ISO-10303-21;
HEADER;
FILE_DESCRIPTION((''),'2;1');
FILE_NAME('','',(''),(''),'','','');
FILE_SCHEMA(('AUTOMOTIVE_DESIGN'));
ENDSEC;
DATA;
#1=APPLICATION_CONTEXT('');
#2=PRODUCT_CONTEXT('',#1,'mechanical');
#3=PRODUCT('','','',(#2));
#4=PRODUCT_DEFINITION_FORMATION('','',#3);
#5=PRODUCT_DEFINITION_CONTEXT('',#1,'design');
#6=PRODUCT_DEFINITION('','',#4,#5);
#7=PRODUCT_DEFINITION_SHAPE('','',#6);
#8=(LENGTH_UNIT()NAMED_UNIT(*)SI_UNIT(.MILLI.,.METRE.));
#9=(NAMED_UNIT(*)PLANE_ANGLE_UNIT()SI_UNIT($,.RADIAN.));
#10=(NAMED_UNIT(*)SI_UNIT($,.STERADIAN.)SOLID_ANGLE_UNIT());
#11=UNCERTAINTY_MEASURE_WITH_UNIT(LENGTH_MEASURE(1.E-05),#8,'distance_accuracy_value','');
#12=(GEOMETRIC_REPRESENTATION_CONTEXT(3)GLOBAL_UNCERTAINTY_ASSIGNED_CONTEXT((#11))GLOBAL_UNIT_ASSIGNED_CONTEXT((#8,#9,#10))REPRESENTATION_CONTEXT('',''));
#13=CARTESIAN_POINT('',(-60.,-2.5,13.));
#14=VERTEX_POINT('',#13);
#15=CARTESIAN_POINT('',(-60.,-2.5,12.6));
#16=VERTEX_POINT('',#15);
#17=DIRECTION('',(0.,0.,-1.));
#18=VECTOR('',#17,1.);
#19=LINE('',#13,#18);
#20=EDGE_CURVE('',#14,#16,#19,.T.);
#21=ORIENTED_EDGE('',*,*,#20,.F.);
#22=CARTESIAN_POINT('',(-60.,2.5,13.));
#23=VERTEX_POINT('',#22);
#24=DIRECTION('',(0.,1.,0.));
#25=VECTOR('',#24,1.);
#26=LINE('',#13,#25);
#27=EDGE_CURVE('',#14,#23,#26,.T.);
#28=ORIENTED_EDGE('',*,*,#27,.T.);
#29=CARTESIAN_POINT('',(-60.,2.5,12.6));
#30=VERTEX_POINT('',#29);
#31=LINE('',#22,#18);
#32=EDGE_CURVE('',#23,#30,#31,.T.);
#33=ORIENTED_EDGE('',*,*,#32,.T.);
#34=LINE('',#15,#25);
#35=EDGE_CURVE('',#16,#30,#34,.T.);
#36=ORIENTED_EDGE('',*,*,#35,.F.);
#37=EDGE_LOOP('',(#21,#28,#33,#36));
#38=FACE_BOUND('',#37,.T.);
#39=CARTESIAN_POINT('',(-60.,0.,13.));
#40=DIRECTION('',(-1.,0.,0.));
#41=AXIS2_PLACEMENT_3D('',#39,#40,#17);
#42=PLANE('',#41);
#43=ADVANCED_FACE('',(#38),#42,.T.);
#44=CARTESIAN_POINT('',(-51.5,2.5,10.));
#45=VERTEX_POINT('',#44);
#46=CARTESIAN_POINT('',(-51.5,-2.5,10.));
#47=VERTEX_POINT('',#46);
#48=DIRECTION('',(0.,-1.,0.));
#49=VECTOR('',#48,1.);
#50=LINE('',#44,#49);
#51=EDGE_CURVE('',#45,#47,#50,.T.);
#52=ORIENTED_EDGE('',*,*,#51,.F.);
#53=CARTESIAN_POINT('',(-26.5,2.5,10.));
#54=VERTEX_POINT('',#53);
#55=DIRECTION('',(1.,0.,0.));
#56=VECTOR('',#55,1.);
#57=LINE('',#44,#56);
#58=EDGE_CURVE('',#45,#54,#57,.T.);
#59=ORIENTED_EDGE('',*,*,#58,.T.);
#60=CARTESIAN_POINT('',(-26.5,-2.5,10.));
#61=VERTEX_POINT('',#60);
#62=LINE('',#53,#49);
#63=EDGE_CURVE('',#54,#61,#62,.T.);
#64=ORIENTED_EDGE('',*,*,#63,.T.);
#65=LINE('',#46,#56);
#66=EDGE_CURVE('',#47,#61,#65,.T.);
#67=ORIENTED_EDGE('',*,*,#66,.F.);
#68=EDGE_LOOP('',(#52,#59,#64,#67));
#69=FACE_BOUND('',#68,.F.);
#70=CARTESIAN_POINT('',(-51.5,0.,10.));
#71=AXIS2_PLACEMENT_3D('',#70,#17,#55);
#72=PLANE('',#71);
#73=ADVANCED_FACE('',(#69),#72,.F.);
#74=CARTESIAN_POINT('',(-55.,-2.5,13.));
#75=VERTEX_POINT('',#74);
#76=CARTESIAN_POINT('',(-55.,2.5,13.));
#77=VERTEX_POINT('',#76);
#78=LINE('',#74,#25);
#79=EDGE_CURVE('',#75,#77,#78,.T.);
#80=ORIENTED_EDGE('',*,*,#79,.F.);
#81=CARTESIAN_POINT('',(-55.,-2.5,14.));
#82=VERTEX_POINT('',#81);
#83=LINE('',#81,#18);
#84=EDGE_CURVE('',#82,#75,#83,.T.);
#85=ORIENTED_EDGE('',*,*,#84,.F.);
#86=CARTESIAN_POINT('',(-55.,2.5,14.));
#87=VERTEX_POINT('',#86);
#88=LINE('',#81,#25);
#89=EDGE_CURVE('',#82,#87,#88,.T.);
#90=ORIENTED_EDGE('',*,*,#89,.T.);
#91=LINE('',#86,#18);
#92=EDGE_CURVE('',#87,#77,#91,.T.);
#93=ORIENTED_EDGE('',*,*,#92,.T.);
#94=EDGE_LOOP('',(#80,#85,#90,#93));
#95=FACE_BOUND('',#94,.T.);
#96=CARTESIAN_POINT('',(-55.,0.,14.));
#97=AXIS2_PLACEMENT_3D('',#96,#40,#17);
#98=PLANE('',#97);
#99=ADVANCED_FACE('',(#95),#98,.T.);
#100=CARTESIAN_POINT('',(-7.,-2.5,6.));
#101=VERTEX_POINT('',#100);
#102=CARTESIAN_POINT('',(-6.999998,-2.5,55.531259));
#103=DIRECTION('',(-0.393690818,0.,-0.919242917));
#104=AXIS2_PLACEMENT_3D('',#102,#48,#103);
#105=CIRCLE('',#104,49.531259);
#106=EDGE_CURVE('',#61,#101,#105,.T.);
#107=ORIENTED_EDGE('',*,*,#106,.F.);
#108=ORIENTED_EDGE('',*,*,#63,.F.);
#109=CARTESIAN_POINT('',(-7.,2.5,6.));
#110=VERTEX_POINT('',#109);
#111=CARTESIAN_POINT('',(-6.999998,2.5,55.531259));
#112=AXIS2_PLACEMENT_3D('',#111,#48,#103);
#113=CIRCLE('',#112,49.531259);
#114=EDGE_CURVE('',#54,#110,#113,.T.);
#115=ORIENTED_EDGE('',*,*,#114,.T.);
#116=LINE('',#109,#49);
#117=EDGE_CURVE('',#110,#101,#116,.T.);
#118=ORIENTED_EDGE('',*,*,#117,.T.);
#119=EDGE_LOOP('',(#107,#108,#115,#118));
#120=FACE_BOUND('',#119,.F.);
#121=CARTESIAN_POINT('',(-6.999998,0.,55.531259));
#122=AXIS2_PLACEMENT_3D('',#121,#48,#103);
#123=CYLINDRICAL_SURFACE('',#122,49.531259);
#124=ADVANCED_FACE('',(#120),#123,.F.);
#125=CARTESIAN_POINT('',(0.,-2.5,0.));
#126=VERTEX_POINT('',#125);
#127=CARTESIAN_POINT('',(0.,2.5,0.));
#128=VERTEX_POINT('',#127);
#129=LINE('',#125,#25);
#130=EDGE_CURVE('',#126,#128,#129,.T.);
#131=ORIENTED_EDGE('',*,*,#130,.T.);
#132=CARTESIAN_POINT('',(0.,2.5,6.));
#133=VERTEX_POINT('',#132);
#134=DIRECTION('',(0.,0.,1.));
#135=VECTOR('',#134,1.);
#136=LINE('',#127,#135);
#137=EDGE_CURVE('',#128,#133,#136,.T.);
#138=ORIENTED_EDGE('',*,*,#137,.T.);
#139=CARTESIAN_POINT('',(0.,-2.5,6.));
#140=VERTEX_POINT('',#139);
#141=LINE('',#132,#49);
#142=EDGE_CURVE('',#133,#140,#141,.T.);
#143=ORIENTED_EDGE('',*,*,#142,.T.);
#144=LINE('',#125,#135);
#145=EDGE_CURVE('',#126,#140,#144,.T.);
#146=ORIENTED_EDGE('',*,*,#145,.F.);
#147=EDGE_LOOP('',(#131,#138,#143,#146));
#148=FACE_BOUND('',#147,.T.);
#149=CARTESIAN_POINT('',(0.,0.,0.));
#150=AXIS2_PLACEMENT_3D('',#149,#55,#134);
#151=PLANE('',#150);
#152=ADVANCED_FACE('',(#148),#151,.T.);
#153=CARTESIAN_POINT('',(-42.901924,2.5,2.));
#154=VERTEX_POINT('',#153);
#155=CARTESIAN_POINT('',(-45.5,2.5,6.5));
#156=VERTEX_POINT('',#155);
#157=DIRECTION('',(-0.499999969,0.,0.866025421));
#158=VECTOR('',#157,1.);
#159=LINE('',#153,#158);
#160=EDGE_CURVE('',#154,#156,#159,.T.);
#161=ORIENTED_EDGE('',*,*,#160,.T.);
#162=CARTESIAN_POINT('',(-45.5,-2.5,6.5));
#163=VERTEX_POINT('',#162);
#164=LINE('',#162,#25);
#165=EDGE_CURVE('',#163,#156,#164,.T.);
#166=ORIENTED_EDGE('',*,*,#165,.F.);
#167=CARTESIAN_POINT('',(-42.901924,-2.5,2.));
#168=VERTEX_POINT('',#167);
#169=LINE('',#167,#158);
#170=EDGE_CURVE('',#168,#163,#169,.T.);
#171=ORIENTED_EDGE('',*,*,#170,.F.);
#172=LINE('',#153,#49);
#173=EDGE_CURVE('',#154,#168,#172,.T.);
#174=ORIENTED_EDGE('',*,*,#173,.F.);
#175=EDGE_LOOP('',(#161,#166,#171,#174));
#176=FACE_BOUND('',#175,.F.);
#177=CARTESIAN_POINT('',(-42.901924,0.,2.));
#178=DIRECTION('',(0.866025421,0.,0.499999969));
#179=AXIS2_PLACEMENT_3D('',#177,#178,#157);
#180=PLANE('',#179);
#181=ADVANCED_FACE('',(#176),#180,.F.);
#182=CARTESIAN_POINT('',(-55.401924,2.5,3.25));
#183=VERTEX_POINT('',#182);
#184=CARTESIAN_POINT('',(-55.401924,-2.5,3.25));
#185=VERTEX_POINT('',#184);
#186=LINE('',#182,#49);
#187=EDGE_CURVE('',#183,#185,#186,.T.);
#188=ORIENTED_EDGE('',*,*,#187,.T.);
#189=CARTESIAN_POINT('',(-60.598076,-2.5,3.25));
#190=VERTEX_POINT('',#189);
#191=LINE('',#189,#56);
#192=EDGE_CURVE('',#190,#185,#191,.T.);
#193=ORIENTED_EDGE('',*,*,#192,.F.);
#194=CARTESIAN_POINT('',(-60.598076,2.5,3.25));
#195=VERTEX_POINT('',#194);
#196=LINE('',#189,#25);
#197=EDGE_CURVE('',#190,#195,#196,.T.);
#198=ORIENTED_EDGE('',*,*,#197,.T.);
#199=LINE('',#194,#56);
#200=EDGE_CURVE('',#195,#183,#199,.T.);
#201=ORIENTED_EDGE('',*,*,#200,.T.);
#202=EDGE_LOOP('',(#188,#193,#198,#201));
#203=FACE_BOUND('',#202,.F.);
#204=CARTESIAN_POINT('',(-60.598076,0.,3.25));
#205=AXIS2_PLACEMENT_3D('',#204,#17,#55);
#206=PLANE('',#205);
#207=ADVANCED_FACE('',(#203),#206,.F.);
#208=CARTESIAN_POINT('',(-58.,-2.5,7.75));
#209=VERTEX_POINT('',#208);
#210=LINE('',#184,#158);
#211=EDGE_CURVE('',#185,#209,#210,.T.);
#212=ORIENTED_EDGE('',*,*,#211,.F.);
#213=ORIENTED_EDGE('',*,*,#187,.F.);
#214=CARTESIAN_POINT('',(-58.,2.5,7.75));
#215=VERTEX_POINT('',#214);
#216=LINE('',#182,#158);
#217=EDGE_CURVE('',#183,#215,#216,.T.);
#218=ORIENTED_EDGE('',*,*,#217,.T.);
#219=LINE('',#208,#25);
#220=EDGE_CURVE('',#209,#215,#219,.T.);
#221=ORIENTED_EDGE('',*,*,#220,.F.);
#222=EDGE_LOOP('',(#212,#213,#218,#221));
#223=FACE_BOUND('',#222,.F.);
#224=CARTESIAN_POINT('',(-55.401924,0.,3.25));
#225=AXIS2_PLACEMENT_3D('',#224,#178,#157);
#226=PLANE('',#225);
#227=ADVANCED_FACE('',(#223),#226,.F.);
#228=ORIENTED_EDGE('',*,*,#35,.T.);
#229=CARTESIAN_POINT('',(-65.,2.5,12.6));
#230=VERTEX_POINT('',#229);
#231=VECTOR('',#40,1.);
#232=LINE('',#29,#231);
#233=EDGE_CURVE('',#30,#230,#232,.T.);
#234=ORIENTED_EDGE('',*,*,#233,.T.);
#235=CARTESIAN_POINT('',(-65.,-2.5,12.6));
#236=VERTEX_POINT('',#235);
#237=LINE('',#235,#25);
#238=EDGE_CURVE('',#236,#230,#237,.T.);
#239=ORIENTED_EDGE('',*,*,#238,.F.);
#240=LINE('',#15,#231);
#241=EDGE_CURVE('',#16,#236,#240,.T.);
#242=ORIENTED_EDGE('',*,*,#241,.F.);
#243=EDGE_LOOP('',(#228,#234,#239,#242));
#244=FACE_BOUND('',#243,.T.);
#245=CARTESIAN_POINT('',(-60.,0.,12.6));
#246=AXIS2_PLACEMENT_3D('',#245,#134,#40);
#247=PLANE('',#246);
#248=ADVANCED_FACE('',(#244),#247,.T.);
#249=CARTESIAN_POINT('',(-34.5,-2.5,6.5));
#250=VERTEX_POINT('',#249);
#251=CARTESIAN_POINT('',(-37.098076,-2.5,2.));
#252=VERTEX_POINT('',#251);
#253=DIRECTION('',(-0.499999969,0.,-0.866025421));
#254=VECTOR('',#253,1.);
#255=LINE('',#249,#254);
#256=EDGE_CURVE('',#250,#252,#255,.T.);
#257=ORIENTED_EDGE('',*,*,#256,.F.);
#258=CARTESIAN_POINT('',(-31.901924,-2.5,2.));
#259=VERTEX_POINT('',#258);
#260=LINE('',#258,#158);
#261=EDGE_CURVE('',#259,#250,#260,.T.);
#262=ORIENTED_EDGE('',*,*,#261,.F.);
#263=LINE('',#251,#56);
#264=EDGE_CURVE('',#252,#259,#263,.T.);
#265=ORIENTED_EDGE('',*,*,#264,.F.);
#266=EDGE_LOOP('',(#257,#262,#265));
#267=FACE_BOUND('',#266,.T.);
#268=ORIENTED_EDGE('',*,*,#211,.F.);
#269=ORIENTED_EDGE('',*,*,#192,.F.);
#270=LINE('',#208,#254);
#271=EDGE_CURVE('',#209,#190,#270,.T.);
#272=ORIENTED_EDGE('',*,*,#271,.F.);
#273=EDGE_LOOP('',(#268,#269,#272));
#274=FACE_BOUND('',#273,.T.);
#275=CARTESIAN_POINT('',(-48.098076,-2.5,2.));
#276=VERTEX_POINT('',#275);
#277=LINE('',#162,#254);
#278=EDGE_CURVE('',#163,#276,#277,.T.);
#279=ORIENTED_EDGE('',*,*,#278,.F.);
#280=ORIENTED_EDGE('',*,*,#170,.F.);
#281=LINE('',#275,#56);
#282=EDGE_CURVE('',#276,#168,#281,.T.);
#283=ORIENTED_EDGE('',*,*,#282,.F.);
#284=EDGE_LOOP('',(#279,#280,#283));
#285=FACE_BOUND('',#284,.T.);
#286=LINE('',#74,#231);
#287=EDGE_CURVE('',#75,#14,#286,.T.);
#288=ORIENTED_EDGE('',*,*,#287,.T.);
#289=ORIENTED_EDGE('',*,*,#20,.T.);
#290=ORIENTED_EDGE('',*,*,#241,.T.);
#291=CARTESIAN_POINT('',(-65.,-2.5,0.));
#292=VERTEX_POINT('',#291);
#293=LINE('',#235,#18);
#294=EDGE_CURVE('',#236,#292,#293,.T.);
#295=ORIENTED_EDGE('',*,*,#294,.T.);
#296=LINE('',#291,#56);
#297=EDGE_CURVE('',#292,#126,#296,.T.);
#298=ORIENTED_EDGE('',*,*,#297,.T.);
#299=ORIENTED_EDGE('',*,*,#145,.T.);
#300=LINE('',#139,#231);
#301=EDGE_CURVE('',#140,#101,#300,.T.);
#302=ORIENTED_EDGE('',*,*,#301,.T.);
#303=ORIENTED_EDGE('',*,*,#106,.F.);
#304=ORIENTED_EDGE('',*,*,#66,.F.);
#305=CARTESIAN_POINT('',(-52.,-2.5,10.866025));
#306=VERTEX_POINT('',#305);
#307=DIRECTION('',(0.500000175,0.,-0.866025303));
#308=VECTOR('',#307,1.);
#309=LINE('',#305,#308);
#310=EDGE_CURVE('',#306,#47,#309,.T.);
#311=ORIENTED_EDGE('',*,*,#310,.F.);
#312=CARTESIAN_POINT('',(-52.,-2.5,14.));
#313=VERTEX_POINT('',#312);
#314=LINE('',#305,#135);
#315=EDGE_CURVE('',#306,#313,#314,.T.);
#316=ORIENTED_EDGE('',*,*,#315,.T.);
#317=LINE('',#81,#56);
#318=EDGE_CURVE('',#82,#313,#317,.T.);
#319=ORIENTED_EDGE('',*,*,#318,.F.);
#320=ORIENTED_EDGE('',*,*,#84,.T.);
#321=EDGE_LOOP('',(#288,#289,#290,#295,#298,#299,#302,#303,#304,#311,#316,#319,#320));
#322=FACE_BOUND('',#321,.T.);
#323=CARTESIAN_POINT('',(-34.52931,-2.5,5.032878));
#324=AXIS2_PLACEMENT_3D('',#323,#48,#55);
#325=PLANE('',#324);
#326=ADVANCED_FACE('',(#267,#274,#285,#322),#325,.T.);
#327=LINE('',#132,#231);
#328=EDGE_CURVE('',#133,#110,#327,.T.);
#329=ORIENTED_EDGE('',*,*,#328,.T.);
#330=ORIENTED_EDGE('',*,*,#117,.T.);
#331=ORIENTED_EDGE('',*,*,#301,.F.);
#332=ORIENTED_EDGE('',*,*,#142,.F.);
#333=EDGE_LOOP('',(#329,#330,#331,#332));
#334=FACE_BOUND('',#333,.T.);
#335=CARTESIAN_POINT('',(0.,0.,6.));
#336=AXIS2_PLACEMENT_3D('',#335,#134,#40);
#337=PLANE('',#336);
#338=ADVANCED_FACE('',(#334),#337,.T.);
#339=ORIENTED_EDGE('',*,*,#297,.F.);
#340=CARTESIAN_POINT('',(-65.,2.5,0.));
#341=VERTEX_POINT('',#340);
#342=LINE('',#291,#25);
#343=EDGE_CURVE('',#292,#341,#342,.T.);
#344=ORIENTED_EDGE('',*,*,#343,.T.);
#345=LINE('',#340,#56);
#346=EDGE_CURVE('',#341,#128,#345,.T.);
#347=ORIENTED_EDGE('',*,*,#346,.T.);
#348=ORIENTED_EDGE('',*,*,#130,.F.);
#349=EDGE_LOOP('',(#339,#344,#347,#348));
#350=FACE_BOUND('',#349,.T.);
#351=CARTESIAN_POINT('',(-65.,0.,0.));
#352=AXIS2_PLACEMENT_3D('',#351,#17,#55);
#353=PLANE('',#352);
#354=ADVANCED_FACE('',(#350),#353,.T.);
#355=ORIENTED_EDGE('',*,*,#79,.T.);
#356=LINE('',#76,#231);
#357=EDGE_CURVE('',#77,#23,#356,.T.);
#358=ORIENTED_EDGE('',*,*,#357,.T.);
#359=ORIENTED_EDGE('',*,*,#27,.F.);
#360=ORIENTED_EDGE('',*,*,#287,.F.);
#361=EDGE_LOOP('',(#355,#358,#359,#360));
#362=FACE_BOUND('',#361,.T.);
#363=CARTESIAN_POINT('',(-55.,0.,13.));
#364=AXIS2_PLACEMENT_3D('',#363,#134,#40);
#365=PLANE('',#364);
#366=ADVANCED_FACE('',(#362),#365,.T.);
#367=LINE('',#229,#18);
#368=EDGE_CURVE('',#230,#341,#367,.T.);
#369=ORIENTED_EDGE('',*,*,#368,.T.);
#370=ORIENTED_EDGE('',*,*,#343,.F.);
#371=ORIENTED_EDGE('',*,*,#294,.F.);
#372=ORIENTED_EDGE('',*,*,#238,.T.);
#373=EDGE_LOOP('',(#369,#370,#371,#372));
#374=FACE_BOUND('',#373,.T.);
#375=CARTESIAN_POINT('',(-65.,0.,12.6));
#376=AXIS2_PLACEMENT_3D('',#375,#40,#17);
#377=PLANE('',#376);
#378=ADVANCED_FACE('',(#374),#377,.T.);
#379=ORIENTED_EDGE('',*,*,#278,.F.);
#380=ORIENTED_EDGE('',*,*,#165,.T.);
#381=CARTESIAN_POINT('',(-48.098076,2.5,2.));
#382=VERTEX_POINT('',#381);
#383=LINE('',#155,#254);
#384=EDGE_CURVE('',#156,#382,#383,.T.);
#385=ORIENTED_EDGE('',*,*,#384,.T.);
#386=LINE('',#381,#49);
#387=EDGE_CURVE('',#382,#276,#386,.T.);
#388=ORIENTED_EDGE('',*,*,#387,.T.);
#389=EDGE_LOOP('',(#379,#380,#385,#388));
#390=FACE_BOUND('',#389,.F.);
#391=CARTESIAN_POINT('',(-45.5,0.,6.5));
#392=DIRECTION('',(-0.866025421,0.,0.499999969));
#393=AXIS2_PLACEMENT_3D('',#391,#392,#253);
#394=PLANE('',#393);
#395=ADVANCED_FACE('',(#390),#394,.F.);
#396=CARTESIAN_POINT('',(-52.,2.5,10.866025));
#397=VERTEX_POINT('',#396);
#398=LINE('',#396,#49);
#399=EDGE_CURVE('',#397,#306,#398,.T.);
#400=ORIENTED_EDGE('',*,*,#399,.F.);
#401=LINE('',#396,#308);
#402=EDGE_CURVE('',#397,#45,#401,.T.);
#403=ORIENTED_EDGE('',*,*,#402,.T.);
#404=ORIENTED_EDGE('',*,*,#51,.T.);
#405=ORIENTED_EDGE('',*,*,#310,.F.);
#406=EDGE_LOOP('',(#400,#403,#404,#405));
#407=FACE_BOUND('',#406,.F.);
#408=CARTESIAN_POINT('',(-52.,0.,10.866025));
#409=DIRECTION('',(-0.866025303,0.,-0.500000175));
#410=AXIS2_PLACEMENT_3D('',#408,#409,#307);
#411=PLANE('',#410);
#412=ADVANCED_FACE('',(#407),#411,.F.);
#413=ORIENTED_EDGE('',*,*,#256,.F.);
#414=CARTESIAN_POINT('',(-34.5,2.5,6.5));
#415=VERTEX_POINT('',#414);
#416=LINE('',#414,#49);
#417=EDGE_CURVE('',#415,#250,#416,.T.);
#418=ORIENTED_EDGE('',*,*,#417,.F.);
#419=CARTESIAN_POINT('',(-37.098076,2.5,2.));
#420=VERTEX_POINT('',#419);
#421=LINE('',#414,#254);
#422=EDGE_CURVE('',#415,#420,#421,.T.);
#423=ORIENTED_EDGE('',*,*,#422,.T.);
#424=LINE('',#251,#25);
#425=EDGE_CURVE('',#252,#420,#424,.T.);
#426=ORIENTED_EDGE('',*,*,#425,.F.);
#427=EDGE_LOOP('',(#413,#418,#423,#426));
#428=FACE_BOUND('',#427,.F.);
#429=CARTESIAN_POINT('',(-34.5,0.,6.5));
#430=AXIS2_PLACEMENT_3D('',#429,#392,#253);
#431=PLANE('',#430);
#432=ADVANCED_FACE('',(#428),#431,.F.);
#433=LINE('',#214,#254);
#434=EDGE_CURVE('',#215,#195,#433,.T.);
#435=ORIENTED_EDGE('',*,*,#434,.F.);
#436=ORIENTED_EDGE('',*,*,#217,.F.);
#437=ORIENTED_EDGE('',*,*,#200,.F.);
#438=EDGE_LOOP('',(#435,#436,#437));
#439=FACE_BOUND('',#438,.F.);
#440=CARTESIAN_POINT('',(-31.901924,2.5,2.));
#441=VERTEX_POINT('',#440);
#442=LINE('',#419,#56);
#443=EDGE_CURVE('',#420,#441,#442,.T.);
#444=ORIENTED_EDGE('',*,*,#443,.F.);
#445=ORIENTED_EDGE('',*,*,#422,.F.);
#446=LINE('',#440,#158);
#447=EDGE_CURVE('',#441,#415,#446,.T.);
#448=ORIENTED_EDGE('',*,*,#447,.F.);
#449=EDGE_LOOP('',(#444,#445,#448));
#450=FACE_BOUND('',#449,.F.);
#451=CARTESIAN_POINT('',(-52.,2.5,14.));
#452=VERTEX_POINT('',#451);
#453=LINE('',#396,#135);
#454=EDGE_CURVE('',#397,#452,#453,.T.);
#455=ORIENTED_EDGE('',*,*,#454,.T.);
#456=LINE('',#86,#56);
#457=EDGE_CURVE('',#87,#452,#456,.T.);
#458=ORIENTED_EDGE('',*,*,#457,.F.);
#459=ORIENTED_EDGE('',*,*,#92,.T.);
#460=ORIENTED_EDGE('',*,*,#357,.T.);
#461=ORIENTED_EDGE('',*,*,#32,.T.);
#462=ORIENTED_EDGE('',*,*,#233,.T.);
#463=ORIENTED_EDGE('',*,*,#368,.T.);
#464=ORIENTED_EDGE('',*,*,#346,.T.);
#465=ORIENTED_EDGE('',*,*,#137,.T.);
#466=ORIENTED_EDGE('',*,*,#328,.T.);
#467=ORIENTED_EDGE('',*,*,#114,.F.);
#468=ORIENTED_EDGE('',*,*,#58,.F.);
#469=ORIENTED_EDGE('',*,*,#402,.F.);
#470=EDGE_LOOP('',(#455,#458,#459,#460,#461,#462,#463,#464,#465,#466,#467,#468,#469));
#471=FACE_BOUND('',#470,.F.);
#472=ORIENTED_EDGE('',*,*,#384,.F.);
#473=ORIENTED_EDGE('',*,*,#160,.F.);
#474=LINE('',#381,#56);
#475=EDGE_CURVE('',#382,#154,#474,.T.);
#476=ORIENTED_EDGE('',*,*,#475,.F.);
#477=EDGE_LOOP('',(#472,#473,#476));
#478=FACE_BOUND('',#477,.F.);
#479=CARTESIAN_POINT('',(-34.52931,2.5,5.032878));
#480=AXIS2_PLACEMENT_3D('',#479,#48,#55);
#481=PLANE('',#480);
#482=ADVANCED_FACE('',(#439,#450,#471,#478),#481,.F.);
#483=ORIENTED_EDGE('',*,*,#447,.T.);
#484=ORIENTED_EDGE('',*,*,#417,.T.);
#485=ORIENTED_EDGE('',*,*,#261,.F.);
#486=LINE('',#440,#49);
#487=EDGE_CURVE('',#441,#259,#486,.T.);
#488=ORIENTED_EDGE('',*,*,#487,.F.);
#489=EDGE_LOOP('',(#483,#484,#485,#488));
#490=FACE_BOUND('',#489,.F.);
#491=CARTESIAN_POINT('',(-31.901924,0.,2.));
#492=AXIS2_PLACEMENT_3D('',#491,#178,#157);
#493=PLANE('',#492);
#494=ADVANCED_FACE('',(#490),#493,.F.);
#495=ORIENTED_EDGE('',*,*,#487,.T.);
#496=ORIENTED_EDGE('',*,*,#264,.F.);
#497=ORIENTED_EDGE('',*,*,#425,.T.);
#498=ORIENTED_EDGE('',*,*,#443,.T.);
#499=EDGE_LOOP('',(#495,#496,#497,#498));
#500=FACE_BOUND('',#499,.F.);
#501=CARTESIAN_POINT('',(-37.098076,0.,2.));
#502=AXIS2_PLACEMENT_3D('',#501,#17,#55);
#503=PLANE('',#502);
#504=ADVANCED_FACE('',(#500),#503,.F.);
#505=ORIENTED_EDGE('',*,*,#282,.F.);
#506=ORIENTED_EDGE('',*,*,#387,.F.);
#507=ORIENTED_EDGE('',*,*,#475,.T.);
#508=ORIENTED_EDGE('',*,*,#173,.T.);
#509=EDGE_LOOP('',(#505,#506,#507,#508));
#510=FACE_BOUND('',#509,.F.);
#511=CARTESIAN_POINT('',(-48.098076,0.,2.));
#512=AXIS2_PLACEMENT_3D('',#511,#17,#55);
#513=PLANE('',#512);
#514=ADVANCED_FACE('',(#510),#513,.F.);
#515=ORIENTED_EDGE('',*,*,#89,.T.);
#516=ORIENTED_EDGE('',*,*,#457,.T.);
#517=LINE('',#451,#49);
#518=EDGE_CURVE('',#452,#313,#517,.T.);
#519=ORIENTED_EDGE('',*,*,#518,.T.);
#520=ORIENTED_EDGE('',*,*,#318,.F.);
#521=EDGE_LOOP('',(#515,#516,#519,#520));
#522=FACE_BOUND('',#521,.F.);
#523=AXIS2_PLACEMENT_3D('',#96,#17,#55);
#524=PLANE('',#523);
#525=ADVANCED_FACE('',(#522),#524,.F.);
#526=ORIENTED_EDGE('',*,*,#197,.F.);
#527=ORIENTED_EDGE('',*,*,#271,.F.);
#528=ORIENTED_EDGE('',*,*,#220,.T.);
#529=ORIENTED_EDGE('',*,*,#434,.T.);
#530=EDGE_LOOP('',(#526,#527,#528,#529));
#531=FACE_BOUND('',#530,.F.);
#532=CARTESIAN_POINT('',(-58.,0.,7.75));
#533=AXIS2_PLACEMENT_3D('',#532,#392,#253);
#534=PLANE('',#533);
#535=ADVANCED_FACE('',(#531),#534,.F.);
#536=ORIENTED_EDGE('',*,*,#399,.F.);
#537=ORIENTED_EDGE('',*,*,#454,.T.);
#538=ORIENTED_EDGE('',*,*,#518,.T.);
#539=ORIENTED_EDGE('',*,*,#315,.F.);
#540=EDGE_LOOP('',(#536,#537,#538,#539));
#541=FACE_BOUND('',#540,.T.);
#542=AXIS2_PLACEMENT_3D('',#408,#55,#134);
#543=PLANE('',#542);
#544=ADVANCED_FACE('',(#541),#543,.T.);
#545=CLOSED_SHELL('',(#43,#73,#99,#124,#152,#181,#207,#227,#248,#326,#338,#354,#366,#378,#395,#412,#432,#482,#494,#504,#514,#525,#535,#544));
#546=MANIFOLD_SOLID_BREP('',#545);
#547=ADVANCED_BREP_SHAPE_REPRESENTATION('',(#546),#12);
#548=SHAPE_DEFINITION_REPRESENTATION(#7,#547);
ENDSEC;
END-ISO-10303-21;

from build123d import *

# Parameters (mm, degrees)
PAD_DEPTH = 2.5


with BuildPart() as part:
    # Sketch → Pad (new body, symmetric)
    with BuildSketch(Plane.XZ):
        with BuildLine():
            Line((0, 0), (0, 6))
            Line((0, 6), (-7, 6))
            ThreePointArc((-26.5, 10), (-16.953015, 7.010304), (-7, 6))
            Line((-51.5, 10), (-26.5, 10))
            Line((-52, 10.866025), (-51.5, 10))
            Line((-52, 10.866025), (-52, 14))
            Line((-55, 14), (-52, 14))
            Line((-55, 14), (-55, 13))
            Line((-55, 13), (-60, 13))
            Line((-60, 13), (-60, 12.6))
            Line((-60, 12.6), (-65, 12.6))
            Line((-65, 12.6), (-65, 0))
            Line((-65, 0), (0, 0))
        make_face()
        Polygon((-42.901924, 2), (-45.5, 6.5), (-48.098076, 2), align=None, mode=Mode.SUBTRACT)
        Polygon((-34.5, 6.5), (-37.098076, 2), (-31.901924, 2), align=None, mode=Mode.SUBTRACT)
        Polygon((-55.401924, 3.25), (-58, 7.75), (-60.598076, 3.25), align=None, mode=Mode.SUBTRACT)
    extrude(amount=PAD_DEPTH, both=True)


solid = part.part
